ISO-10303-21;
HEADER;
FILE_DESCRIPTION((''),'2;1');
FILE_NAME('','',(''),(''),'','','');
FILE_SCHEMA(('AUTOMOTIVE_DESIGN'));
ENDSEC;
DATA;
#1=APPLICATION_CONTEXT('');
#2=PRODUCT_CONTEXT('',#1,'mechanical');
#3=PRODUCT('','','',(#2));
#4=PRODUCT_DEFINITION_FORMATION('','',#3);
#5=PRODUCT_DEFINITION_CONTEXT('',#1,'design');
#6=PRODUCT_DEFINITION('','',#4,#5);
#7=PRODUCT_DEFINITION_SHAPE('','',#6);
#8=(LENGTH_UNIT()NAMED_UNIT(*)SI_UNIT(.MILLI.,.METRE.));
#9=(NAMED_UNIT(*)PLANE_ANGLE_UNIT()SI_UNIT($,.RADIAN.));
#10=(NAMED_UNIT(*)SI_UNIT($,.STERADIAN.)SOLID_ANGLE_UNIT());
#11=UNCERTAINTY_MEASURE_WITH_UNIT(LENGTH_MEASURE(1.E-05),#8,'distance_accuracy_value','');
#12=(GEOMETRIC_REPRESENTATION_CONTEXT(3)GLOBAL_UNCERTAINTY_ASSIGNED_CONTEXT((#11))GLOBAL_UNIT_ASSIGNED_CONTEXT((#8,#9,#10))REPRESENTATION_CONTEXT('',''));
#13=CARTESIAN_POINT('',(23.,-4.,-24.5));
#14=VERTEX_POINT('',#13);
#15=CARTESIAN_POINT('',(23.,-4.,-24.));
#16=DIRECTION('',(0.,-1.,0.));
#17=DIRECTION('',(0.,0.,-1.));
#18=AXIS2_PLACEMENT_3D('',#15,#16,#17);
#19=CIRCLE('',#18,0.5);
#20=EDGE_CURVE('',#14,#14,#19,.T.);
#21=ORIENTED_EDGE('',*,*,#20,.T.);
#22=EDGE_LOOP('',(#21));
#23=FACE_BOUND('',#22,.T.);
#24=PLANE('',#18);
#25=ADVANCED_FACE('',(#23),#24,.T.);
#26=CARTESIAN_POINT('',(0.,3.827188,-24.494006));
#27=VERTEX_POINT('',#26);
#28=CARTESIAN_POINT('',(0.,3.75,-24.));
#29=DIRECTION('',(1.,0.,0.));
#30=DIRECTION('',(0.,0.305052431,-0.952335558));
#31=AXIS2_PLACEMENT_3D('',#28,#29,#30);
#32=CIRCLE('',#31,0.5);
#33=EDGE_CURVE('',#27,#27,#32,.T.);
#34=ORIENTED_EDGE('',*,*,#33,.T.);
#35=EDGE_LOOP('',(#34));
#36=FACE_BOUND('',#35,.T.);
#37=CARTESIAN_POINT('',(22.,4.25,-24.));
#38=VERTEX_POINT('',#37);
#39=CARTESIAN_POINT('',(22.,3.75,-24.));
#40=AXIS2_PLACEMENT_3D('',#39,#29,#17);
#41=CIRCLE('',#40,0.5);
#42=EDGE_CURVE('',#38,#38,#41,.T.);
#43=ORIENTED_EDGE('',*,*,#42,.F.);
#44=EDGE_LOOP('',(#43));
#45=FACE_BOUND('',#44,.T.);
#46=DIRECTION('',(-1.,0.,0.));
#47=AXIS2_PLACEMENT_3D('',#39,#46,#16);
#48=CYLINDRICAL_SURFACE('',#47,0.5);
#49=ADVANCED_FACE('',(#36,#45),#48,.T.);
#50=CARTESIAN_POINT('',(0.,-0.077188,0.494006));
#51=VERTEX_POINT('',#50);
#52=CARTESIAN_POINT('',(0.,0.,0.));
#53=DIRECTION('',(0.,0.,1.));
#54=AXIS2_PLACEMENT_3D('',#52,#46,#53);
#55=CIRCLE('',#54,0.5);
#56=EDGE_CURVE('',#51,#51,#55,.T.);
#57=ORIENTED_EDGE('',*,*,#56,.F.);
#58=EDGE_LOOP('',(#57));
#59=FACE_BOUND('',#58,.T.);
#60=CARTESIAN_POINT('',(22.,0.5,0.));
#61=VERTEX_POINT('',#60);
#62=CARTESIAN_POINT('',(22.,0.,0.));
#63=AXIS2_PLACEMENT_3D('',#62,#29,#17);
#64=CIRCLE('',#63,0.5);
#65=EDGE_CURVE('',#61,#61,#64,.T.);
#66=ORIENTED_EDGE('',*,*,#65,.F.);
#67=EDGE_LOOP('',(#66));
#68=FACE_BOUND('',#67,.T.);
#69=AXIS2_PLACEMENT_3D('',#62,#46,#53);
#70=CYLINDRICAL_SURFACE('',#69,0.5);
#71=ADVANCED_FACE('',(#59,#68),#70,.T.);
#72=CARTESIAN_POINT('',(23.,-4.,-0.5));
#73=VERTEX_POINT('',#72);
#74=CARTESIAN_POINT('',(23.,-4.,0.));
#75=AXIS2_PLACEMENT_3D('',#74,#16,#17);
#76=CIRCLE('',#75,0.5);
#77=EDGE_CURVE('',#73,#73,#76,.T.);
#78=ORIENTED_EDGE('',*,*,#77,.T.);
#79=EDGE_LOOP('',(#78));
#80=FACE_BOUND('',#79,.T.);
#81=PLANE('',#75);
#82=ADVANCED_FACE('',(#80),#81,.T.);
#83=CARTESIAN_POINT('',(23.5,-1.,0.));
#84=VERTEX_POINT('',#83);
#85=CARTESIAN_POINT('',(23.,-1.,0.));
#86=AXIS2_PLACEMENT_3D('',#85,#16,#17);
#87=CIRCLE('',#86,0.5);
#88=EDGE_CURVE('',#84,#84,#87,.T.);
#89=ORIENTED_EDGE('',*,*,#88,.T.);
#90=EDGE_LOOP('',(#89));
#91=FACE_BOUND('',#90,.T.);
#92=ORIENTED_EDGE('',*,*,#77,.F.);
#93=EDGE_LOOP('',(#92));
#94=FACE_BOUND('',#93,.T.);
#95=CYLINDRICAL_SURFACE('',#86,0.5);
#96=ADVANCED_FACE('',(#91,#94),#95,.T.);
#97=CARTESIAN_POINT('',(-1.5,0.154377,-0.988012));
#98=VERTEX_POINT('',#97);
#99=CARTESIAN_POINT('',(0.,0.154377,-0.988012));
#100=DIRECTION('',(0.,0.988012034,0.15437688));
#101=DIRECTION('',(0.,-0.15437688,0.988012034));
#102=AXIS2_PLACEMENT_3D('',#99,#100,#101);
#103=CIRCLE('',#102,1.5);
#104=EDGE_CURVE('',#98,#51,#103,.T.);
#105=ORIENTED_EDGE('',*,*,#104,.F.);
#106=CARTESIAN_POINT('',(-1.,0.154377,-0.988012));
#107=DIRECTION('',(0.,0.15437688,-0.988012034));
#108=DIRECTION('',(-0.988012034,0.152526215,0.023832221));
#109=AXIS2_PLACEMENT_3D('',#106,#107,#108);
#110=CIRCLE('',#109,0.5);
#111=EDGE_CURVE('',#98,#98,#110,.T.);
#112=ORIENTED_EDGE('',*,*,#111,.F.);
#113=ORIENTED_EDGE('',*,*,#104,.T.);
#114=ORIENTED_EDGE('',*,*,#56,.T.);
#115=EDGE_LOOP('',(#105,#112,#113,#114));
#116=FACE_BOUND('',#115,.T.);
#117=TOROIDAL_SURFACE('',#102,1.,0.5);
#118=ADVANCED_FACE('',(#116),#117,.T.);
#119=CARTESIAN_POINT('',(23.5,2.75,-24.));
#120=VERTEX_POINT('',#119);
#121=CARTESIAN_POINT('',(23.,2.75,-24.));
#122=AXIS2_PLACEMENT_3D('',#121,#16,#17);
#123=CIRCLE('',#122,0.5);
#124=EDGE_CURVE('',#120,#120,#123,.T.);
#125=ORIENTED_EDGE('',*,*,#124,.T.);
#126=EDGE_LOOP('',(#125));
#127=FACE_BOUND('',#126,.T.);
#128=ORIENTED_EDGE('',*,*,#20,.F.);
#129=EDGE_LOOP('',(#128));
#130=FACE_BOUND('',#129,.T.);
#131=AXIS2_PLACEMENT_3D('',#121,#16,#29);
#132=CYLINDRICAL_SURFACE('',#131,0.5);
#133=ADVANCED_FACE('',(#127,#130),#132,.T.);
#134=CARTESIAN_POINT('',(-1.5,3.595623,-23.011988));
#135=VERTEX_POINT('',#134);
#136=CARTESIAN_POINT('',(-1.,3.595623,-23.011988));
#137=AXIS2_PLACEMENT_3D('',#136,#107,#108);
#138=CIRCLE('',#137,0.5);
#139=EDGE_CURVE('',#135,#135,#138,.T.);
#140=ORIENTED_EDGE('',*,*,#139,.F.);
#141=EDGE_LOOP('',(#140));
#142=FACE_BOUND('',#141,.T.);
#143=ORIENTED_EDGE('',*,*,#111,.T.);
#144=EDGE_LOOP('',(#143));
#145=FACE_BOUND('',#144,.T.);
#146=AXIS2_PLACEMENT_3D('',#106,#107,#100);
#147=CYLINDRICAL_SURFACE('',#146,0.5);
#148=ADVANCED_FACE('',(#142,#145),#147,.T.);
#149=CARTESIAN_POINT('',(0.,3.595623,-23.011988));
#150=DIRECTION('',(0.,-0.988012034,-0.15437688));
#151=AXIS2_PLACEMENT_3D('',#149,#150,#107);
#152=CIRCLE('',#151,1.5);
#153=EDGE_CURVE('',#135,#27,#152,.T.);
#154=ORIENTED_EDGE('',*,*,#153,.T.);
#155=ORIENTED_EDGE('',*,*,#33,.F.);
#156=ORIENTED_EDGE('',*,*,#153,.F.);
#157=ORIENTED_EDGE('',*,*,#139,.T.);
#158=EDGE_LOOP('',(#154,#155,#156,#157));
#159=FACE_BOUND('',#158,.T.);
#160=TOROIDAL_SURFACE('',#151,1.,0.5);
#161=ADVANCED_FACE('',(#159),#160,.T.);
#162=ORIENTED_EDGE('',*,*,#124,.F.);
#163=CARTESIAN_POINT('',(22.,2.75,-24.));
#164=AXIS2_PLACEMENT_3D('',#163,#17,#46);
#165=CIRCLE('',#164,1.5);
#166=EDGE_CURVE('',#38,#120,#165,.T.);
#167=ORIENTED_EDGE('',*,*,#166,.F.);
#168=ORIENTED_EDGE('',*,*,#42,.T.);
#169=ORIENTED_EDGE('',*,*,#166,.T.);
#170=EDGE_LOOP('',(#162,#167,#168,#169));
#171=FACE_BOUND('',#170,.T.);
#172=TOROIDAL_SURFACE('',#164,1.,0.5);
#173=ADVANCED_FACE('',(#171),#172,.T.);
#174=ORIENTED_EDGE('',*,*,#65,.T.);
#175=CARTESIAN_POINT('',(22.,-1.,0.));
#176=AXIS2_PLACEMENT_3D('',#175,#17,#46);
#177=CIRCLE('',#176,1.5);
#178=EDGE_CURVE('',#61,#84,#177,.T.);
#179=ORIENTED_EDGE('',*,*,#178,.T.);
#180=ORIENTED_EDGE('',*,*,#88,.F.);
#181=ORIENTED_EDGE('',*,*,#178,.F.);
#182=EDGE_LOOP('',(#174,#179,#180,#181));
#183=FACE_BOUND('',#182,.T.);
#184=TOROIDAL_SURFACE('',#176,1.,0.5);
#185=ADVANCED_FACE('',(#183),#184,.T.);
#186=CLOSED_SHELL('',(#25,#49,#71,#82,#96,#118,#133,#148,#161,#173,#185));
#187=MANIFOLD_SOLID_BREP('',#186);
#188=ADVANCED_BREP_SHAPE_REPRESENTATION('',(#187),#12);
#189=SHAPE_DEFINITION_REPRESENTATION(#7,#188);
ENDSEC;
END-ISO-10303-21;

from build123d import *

# Parameters (mm, degrees)
SKETCH4_R = 0.5
SKETCH5_R = 0.5
SKETCH6_R = 0.5


with BuildPart() as part:
    # Sweep1: sweep along a path in Sketch1
    with BuildLine(Plane.XY) as sweep1_path:
        Line((0, 0), (22, 0))
        ThreePointArc((22, 0), (22.707106781, -0.292893219), (23, -1))
        Line((23, -1), (23, -4))
    # Sketch4 → Sweep1 (sweep)
    with BuildSketch(Plane(origin=(0, 0, 0), x_dir=(0, 0, -1), z_dir=(1, 0, 0))):
        Circle(SKETCH4_R)
    sweep(path=sweep1_path.line)

    # Sweep2: sweep along a path in Sketch3
    with BuildLine(Plane(origin=(0, 0, 0), x_dir=(-1, 0, 0), z_dir=(0, 0.988012034, 0.15437688))) as sweep2_path:
        ThreePointArc((0, -24.291202111), (0.707106781, -23.998308892), (1, -23.291202111))
        Line((1, -23.291202111), (1, -1))
        ThreePointArc((1, -1), (0.707106781, -0.292893219), (0, 0))
    # Sketch5 → Sweep2 (sweep)
    with BuildSketch(Plane.ZY):
        Circle(SKETCH5_R)
    sweep(path=sweep2_path.line)

    # Sweep3: sweep along a path in Sketch2
    with BuildLine(Plane.XY.offset(-24)) as sweep3_path:
        Line((0, 3.75), (22, 3.75))
        ThreePointArc((22, 3.75), (22.707106781, 3.457106781), (23, 2.75))
        Line((23, 2.75), (23, -4))
    # Sketch6 → Sweep3 (sweep)
    with BuildSketch(Plane(origin=(0, 0, 0), x_dir=(0, 0, -1), z_dir=(1, 0, 0))):
        with Locations((24, 3.75)):
            Circle(SKETCH6_R)
    sweep(path=sweep3_path.line)


solid = part.part
